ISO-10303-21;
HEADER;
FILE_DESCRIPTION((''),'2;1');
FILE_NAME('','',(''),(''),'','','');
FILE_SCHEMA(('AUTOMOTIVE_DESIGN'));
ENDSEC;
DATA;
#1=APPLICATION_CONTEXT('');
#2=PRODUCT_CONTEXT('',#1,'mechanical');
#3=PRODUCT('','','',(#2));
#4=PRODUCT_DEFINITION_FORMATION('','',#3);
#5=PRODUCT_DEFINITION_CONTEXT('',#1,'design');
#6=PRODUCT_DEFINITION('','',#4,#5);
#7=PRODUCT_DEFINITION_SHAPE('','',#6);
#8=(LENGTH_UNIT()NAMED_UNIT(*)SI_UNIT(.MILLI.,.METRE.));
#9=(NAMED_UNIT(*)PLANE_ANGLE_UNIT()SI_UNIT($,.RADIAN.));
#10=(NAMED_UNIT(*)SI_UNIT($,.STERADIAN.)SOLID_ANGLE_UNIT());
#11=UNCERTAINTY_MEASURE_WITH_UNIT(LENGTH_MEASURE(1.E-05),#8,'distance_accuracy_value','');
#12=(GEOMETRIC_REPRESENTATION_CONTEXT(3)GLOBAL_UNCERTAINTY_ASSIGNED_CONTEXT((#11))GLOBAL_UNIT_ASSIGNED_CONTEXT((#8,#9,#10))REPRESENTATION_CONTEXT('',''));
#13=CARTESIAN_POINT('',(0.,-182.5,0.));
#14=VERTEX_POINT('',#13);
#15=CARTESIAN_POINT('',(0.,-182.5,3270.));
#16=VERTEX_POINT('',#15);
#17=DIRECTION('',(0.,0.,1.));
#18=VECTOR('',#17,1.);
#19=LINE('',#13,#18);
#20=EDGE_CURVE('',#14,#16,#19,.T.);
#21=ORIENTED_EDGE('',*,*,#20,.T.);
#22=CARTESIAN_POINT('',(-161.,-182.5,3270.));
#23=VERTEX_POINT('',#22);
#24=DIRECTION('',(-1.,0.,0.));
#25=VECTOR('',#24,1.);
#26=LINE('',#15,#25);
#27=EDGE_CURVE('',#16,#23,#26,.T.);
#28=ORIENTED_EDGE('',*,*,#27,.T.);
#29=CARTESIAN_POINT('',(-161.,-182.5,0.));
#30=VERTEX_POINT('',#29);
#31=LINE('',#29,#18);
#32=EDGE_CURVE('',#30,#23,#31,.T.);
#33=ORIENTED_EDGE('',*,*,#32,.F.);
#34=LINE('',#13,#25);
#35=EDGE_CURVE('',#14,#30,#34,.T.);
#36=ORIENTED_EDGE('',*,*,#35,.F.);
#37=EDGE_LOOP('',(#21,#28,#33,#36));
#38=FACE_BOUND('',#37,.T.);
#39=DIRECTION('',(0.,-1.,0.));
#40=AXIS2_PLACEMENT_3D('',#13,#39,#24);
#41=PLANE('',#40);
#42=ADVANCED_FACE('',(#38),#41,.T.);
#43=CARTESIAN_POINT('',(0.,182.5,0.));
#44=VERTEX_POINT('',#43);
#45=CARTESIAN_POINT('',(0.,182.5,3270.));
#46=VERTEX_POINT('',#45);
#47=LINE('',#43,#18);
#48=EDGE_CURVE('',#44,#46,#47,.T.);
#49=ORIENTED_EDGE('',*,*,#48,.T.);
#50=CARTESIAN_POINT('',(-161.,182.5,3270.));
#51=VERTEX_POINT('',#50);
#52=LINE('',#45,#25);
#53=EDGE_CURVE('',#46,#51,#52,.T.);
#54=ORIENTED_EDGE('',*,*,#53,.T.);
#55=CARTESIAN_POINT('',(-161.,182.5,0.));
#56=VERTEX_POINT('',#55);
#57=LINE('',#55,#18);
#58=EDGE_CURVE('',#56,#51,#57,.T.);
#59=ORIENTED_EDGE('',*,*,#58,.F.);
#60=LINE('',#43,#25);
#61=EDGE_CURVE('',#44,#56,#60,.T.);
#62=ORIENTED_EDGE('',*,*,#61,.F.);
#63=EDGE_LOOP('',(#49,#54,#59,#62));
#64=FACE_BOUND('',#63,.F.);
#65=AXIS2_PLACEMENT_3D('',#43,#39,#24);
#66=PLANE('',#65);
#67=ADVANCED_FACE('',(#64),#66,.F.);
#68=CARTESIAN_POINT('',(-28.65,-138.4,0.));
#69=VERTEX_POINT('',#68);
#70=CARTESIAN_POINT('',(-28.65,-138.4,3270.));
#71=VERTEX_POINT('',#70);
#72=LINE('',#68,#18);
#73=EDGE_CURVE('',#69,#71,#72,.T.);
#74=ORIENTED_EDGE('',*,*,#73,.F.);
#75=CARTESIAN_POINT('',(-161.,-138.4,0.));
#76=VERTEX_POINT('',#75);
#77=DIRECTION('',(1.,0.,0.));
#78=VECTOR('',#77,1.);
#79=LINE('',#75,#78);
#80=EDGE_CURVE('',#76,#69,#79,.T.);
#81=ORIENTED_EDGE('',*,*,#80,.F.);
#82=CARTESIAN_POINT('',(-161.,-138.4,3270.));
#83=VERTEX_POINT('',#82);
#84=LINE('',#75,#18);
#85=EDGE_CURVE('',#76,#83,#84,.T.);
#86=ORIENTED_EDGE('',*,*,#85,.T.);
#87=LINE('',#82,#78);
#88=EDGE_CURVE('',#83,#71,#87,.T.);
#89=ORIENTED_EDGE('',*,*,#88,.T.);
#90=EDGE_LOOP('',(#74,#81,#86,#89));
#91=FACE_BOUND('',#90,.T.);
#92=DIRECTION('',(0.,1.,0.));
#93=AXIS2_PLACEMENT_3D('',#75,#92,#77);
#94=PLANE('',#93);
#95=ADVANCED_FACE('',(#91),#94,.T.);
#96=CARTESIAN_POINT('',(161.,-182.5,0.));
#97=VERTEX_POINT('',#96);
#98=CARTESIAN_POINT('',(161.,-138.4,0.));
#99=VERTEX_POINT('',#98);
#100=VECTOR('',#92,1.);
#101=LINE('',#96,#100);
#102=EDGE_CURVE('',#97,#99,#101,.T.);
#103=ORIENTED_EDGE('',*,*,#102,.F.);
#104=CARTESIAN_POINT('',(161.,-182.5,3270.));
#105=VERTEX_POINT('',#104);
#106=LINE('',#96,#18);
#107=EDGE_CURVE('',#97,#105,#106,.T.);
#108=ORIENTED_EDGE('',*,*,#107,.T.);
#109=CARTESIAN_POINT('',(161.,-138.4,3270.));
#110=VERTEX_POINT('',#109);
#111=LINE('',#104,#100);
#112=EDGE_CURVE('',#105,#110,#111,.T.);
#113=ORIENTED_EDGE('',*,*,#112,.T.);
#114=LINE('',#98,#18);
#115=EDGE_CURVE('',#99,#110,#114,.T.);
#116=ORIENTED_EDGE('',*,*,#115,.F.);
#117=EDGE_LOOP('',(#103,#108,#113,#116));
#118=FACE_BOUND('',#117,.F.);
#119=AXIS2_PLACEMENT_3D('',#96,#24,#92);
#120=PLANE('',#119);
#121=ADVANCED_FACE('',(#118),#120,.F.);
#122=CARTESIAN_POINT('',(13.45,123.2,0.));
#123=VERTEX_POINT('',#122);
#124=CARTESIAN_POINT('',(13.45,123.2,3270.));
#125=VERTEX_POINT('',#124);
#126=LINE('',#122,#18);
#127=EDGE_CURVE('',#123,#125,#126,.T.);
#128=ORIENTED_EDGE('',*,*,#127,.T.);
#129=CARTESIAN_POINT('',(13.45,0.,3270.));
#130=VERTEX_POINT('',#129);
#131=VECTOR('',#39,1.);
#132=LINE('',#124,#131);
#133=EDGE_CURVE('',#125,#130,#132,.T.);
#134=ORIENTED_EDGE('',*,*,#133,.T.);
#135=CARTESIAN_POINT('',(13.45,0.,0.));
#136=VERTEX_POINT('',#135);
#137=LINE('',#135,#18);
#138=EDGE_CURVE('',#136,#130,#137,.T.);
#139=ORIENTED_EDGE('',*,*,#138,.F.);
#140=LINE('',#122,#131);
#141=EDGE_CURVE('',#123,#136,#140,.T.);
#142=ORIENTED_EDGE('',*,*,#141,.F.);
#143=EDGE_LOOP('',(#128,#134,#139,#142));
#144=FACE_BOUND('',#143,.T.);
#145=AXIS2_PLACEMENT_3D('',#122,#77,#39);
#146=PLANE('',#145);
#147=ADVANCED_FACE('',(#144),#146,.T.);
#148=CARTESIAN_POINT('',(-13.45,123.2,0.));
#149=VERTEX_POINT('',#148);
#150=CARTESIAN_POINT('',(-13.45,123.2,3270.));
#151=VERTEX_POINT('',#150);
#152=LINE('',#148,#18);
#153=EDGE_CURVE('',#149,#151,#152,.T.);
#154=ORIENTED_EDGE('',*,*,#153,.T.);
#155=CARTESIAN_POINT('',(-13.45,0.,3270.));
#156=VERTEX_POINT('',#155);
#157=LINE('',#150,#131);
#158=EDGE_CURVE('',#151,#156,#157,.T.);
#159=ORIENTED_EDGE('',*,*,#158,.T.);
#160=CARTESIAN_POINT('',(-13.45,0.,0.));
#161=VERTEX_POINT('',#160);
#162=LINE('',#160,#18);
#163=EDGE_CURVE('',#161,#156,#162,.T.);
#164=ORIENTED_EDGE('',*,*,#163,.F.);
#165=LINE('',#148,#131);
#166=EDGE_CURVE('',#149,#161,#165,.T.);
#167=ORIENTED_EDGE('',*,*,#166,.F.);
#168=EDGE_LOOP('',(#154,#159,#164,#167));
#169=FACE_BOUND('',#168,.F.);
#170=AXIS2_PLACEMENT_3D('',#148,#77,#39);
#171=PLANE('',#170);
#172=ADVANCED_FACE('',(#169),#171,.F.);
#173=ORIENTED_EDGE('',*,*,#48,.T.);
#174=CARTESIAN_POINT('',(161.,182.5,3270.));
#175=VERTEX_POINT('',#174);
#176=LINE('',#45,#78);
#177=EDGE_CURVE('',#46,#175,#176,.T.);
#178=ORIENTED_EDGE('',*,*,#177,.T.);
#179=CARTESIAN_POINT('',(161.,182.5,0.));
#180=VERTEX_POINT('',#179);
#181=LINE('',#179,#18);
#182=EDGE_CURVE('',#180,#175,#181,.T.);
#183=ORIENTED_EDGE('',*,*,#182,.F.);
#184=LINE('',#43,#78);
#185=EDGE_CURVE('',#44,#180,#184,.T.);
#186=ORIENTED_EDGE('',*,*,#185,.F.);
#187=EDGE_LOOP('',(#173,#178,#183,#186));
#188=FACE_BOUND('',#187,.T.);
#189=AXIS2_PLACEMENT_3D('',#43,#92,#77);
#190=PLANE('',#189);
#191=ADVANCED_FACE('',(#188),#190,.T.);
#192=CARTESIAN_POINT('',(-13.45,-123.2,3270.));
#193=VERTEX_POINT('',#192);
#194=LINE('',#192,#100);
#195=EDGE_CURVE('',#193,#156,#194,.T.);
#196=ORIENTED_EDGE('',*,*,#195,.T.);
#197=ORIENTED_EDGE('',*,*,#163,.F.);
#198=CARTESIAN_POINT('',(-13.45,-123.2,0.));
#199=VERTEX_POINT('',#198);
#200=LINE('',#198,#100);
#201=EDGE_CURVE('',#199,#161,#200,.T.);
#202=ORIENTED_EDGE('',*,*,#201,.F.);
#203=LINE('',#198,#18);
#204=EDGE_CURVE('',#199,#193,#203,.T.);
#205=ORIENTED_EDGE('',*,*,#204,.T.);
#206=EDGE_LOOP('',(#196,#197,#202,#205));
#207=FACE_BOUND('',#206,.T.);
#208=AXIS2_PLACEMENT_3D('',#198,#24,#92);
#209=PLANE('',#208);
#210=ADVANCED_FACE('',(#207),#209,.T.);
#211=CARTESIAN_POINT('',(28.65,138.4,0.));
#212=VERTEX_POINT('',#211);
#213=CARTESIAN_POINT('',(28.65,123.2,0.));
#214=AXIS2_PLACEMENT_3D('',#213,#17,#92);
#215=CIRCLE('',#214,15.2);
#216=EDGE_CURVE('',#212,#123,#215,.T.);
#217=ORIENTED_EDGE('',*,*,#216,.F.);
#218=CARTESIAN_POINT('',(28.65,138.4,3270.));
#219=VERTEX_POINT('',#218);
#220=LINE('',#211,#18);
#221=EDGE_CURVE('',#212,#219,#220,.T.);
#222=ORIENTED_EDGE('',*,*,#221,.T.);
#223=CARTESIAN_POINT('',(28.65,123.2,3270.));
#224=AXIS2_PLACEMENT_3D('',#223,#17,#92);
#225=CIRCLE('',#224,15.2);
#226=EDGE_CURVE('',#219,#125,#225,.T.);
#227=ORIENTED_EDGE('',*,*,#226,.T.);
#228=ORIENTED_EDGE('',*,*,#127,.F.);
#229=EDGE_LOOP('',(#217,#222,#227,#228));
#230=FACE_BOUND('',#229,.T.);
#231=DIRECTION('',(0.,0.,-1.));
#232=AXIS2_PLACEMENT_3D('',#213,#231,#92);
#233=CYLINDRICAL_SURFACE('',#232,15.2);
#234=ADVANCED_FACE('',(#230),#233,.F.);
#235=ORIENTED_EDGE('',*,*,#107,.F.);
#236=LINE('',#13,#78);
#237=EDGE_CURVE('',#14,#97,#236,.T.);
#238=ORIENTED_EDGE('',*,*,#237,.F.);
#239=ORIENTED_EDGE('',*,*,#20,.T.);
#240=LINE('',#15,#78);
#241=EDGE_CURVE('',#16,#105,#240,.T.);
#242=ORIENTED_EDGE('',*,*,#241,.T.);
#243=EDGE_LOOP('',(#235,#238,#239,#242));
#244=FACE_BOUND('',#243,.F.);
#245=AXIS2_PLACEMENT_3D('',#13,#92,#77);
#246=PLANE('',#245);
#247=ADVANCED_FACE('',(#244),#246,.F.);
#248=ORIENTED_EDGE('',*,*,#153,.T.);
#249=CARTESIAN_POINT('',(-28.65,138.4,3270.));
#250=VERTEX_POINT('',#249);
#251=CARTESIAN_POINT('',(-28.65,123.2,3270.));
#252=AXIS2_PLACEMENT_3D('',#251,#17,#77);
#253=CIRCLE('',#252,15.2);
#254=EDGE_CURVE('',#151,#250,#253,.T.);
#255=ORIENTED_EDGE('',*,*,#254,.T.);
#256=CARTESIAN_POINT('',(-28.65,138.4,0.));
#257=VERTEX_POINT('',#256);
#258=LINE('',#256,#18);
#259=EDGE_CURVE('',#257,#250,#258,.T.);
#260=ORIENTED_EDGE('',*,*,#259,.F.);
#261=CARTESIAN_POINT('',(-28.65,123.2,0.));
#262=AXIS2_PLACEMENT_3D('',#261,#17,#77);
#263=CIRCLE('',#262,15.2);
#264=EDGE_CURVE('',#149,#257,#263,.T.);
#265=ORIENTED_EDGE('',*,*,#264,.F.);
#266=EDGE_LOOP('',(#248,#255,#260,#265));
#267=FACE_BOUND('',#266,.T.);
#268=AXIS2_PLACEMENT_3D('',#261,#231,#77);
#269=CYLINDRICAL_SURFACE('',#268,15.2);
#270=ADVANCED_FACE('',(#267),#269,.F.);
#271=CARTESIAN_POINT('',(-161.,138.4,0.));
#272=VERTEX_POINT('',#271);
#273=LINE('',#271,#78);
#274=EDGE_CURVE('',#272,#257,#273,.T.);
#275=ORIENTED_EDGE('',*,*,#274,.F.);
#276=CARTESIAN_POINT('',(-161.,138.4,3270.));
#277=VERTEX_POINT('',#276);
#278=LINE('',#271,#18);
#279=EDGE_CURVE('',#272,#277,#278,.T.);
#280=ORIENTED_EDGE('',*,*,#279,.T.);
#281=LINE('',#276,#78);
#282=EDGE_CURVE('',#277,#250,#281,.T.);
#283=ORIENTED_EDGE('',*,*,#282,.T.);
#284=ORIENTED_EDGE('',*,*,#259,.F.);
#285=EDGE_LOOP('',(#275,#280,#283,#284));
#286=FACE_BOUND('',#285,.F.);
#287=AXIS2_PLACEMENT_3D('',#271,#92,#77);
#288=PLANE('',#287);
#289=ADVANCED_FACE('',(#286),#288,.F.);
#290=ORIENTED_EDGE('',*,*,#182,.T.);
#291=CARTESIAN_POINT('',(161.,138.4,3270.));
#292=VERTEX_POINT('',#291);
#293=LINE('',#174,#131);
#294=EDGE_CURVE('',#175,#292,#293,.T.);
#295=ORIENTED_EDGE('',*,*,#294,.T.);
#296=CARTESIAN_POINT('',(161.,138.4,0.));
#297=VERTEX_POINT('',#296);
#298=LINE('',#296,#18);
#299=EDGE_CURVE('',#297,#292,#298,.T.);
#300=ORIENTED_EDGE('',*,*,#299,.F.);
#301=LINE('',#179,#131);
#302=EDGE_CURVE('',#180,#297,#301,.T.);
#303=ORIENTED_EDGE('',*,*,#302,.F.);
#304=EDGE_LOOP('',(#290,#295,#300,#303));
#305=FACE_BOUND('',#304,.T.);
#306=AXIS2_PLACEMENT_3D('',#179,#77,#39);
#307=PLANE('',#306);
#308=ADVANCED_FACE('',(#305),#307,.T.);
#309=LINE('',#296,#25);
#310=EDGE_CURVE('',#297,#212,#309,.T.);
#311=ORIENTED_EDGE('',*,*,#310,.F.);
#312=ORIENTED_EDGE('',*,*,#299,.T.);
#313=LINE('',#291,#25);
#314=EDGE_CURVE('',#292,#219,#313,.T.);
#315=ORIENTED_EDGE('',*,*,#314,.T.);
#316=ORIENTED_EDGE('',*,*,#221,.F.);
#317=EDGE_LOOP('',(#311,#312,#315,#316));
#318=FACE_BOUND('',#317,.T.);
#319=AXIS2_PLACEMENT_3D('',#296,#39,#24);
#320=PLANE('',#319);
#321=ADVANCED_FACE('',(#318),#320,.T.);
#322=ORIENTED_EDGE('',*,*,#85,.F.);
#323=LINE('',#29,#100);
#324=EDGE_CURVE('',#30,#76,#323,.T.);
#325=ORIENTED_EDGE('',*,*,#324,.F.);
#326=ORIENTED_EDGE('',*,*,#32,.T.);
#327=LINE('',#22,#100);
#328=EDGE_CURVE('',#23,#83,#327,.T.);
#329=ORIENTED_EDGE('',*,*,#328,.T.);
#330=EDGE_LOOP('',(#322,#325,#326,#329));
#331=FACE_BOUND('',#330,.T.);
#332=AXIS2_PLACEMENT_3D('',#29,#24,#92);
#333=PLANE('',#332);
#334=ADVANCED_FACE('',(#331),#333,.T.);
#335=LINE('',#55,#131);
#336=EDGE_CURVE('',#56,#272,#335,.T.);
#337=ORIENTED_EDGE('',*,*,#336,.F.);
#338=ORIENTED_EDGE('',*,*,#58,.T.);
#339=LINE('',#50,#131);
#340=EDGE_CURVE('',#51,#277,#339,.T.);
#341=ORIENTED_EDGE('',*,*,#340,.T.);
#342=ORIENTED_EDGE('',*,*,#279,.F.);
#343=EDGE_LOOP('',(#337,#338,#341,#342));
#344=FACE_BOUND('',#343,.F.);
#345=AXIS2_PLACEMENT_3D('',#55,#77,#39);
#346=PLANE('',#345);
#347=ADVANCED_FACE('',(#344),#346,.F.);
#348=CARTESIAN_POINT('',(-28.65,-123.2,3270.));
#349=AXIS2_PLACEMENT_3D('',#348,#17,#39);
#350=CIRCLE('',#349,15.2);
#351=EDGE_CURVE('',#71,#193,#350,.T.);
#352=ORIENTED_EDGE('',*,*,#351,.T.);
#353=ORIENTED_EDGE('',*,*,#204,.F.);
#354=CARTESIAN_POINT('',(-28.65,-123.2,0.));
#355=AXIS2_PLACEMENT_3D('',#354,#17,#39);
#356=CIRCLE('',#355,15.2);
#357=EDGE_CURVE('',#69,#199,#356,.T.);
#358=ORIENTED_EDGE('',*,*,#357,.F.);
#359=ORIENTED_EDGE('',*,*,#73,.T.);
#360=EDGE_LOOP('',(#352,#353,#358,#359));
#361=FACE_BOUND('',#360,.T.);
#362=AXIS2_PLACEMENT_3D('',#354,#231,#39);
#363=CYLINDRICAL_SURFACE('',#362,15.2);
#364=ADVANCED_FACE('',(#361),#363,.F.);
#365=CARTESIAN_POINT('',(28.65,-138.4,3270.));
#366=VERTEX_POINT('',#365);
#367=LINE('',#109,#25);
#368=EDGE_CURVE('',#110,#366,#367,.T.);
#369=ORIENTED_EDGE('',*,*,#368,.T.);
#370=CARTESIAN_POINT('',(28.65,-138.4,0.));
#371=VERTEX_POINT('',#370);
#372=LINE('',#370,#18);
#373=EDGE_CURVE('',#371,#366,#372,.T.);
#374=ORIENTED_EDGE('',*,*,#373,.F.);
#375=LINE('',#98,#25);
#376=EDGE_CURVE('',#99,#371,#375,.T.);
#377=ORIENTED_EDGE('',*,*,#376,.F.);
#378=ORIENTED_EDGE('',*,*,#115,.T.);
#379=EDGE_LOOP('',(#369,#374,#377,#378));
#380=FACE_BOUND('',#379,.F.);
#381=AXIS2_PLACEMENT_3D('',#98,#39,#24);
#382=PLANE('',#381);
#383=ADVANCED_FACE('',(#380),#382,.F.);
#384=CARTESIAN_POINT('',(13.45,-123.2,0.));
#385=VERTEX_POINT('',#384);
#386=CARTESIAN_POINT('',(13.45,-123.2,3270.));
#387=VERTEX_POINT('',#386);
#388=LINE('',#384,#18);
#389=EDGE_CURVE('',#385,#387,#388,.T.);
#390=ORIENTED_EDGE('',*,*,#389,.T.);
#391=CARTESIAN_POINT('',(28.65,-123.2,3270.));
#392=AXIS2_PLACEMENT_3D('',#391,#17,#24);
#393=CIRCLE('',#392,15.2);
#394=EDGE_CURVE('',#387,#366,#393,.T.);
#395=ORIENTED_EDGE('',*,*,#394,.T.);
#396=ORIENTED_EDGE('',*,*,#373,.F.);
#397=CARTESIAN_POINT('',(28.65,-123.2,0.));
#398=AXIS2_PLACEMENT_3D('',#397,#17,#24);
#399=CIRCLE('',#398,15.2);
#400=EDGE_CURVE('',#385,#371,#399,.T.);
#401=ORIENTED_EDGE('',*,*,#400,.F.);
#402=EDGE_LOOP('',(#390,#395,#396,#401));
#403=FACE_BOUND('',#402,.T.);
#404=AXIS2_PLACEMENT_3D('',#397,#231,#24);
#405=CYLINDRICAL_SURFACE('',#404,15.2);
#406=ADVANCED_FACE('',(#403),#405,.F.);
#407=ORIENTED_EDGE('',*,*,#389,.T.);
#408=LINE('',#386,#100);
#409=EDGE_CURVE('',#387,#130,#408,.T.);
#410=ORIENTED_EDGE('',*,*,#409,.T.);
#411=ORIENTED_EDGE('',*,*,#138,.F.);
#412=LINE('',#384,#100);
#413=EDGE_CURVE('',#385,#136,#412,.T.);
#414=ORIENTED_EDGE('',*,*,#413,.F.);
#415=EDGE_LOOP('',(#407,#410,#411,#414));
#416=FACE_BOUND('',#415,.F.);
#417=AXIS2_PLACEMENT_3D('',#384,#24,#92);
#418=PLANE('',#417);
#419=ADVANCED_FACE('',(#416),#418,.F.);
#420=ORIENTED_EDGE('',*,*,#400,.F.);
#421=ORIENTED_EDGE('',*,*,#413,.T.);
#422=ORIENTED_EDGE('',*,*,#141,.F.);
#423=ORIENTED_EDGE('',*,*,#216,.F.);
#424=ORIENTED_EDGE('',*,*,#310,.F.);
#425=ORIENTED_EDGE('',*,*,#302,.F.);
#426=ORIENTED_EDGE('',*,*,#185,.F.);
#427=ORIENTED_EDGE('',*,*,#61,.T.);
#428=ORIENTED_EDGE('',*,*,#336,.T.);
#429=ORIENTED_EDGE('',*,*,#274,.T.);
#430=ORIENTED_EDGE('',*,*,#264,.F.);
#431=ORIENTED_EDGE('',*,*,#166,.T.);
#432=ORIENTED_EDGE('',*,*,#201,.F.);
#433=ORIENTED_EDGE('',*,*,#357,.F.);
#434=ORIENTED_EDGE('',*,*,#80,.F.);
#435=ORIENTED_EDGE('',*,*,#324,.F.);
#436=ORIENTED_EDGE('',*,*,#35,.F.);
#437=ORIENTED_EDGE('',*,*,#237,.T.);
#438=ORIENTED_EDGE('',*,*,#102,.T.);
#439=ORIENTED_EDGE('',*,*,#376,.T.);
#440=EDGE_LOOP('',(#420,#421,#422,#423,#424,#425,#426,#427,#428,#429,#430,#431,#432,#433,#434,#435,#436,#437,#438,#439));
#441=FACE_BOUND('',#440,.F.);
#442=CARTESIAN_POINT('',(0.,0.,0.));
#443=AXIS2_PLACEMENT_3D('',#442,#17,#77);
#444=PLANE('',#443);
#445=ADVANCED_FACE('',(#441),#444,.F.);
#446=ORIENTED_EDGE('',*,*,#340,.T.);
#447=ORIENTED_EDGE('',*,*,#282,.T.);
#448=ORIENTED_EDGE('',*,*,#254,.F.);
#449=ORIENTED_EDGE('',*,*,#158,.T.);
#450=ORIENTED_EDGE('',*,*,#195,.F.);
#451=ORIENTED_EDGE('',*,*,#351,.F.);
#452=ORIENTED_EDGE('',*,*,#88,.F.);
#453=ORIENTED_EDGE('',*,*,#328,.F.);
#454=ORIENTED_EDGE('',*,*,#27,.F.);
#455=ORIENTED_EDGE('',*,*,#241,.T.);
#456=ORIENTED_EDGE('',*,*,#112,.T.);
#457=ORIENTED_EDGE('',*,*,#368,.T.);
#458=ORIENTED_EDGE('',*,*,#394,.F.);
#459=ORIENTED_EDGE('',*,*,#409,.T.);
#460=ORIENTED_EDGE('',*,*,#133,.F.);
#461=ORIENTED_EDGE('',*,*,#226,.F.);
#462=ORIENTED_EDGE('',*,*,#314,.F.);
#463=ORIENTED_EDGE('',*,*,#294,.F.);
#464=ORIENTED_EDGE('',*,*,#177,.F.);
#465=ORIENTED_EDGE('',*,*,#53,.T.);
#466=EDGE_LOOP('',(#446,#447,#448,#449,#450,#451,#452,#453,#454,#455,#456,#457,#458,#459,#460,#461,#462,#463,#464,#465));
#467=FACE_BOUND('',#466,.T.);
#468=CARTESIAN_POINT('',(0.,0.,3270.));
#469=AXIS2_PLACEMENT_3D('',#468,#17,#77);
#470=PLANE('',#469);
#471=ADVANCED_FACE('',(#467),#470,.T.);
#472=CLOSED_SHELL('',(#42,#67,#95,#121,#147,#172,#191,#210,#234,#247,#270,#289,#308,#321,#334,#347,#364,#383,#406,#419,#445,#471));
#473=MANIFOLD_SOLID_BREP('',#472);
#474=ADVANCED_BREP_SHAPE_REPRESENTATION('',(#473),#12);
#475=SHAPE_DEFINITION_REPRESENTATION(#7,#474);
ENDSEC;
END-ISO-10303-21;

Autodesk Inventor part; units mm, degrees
ref_plane "YZ Plane" through (0, 0, 0) normal (1, 0, 0) x (0, 1, 0)
ref_plane "Start plane" through (0, 0, 0) normal (0, 0, 1) x (1, 0, 0)
ref_plane "End plane" through (0, 0, 3270) normal (0, 0, 1) x (1, 0, 0)
sketch "Sketch" plane through (0, 0, 0) normal (0, 0, 1) x (1, 0, 0)
  line L0 (-161, -182.5) -> (-161, -138.4)
  line L1 (-161, -138.4) -> (-28.65, -138.4)
  line L2 (-13.45, -123.2) -> (-13.45, 0)
  line L3 (-13.45, 0) -> (0, 0) construction
  line L4 (0, 0) -> (0, -182.5) construction
  line L5 (0, -182.5) -> (-161, -182.5)
  line L6 (-60, 0) -> (80, 0) construction
  line L7 (0, -60) -> (0, 80) construction
  line L8 (161, -182.5) -> (161, -138.4)
  line L9 (161, -138.4) -> (28.65, -138.4)
  line L10 (13.45, -123.2) -> (13.45, 0)
  line L11 (13.45, 0) -> (0, 0) construction
  line L12 (0, -182.5) -> (161, -182.5)
  line L13 (-161, 182.5) -> (-161, 138.4)
  line L14 (-161, 138.4) -> (-28.65, 138.4)
  line L15 (-13.45, 123.2) -> (-13.45, 0)
  line L16 (0, 182.5) -> (-161, 182.5)
  line L17 (161, 182.5) -> (161, 138.4)
  line L18 (161, 138.4) -> (28.65, 138.4)
  line L19 (0, 182.5) -> (161, 182.5)
  line L20 (13.45, 123.2) -> (13.45, 0)
  arc A0 (-13.45, 123.2) -> (-28.65, 138.4) centre (-28.65, 123.2) ccw
  arc A1 (28.65, 138.4) -> (13.45, 123.2) centre (28.65, 123.2) ccw
  arc A2 (13.45, -123.2) -> (28.65, -138.4) centre (28.65, -123.2) ccw
  arc A3 (-28.65, -138.4) -> (-13.45, -123.2) centre (-28.65, -123.2) ccw
  line L21 (0, 108) -> (0, -88) construction
  line L22 (-88, 0) -> (108, 0) construction
  point P0 (-13.45, -138.4)
  point P1 (13.45, -138.4)
  point P2 (-13.45, 138.4)
  point P3 (13.45, 138.4)
  dimension "d1" = 182.5
  dimension "d2" = 44.1
  dimension "d3" = 161
  dimension "d4" = 13.45
  dimension "d10" = 15.2
extrude "Body" add sketch "Sketch" along normal up to surface (3270 mm away) from surface at 0
sketch "Sketch4" plane through (0, 0, 0) normal (0, 0, 1) x (1, 0, 0)
  line L0 (0, 0) -> (10, 0)
ref_plane "Work Plane3" through (0, 0, 0) normal (0, -1, 0) x (1, 0, 0)
sketch "Sketch5" plane through (0, 0, 0) normal (0, -1, 0) x (1, 0, 0)
  line L0 (-2, 0) -> (12, 0) projected
  line L1 (-2, 3270) -> (12, 3270) projected
  dimension "d14" = 3270
equation "\"d1\" = 0.5 * G_H"
equation "\"d2\" = G_T1"
equation "\"d3\" = 0.5 * G_W"
equation "\"d4\" = 0.5 * G_T"
equation "\"d10\" = G_IR"
equation "\"d5\" = G_L"
equation "\"G_W\" = 322"
equation "\"G_H\" = 365"
equation "\"G_T\" = 26.9"
equation "\"G_T1\" = 44.1"
equation "\"G_IR\" = 15.2"
equation "\"G_L\" = d14"
equation "\"G_OFFSET_START\" = 0"
equation "\"G_OFFSET_END\" = 0"
properties part number "AS 3679 - 310 UC - 283 - 3270" material "Steel, Mild"
